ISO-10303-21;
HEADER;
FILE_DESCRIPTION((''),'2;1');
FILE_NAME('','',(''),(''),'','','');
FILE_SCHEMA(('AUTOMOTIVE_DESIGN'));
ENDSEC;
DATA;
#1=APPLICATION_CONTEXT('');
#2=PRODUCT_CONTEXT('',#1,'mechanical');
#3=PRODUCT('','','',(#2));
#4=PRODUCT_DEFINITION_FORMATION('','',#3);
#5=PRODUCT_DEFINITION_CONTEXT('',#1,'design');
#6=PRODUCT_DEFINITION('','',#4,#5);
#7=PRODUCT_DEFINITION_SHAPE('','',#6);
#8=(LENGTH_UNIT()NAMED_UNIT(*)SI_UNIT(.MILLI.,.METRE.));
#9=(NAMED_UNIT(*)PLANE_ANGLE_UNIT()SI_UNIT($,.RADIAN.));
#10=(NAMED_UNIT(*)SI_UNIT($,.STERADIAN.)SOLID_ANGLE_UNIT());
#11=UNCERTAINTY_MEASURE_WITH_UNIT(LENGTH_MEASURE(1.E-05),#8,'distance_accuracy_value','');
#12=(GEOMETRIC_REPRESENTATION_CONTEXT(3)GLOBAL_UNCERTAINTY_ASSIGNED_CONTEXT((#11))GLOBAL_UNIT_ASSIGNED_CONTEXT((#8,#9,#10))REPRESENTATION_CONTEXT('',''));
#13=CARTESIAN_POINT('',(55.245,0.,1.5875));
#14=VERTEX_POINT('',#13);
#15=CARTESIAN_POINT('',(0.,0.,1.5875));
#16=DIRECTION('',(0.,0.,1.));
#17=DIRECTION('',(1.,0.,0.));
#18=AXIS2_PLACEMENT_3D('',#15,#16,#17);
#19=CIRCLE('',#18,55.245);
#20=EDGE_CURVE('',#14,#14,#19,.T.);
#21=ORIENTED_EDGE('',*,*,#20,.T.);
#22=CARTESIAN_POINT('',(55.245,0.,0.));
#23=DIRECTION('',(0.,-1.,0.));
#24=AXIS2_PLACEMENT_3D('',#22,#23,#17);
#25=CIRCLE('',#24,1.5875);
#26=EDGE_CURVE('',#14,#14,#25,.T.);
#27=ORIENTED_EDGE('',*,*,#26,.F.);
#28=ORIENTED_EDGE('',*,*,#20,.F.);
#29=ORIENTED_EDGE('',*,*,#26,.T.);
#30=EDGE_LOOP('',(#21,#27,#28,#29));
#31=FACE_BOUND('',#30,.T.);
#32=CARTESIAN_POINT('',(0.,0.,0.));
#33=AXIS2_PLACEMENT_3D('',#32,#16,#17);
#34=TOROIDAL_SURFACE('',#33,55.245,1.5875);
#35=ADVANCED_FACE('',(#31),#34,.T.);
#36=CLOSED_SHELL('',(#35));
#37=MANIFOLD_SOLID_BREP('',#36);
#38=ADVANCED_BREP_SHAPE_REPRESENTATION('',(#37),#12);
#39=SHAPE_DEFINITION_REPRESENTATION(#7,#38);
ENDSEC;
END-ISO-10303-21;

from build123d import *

# Parameters (mm, degrees)
BASE_SWEEP_PROFILE_R = 1.5875


with BuildPart() as part:
    # Base Sweep: sweep along a path in SketchPath
    with BuildLine(Plane.XY) as base_sweep_path:
        CenterArc((0, 0), 55.245, 0, 360)
    # Base Sweep profile (on start of the path) → Base Sweep (sweep)
    with BuildSketch(Plane(origin=(55.245, 0, 0), x_dir=(0, 0, 1), z_dir=(0, 1, 0))):
        Circle(BASE_SWEEP_PROFILE_R)
    sweep(path=base_sweep_path.line)


solid = part.part
